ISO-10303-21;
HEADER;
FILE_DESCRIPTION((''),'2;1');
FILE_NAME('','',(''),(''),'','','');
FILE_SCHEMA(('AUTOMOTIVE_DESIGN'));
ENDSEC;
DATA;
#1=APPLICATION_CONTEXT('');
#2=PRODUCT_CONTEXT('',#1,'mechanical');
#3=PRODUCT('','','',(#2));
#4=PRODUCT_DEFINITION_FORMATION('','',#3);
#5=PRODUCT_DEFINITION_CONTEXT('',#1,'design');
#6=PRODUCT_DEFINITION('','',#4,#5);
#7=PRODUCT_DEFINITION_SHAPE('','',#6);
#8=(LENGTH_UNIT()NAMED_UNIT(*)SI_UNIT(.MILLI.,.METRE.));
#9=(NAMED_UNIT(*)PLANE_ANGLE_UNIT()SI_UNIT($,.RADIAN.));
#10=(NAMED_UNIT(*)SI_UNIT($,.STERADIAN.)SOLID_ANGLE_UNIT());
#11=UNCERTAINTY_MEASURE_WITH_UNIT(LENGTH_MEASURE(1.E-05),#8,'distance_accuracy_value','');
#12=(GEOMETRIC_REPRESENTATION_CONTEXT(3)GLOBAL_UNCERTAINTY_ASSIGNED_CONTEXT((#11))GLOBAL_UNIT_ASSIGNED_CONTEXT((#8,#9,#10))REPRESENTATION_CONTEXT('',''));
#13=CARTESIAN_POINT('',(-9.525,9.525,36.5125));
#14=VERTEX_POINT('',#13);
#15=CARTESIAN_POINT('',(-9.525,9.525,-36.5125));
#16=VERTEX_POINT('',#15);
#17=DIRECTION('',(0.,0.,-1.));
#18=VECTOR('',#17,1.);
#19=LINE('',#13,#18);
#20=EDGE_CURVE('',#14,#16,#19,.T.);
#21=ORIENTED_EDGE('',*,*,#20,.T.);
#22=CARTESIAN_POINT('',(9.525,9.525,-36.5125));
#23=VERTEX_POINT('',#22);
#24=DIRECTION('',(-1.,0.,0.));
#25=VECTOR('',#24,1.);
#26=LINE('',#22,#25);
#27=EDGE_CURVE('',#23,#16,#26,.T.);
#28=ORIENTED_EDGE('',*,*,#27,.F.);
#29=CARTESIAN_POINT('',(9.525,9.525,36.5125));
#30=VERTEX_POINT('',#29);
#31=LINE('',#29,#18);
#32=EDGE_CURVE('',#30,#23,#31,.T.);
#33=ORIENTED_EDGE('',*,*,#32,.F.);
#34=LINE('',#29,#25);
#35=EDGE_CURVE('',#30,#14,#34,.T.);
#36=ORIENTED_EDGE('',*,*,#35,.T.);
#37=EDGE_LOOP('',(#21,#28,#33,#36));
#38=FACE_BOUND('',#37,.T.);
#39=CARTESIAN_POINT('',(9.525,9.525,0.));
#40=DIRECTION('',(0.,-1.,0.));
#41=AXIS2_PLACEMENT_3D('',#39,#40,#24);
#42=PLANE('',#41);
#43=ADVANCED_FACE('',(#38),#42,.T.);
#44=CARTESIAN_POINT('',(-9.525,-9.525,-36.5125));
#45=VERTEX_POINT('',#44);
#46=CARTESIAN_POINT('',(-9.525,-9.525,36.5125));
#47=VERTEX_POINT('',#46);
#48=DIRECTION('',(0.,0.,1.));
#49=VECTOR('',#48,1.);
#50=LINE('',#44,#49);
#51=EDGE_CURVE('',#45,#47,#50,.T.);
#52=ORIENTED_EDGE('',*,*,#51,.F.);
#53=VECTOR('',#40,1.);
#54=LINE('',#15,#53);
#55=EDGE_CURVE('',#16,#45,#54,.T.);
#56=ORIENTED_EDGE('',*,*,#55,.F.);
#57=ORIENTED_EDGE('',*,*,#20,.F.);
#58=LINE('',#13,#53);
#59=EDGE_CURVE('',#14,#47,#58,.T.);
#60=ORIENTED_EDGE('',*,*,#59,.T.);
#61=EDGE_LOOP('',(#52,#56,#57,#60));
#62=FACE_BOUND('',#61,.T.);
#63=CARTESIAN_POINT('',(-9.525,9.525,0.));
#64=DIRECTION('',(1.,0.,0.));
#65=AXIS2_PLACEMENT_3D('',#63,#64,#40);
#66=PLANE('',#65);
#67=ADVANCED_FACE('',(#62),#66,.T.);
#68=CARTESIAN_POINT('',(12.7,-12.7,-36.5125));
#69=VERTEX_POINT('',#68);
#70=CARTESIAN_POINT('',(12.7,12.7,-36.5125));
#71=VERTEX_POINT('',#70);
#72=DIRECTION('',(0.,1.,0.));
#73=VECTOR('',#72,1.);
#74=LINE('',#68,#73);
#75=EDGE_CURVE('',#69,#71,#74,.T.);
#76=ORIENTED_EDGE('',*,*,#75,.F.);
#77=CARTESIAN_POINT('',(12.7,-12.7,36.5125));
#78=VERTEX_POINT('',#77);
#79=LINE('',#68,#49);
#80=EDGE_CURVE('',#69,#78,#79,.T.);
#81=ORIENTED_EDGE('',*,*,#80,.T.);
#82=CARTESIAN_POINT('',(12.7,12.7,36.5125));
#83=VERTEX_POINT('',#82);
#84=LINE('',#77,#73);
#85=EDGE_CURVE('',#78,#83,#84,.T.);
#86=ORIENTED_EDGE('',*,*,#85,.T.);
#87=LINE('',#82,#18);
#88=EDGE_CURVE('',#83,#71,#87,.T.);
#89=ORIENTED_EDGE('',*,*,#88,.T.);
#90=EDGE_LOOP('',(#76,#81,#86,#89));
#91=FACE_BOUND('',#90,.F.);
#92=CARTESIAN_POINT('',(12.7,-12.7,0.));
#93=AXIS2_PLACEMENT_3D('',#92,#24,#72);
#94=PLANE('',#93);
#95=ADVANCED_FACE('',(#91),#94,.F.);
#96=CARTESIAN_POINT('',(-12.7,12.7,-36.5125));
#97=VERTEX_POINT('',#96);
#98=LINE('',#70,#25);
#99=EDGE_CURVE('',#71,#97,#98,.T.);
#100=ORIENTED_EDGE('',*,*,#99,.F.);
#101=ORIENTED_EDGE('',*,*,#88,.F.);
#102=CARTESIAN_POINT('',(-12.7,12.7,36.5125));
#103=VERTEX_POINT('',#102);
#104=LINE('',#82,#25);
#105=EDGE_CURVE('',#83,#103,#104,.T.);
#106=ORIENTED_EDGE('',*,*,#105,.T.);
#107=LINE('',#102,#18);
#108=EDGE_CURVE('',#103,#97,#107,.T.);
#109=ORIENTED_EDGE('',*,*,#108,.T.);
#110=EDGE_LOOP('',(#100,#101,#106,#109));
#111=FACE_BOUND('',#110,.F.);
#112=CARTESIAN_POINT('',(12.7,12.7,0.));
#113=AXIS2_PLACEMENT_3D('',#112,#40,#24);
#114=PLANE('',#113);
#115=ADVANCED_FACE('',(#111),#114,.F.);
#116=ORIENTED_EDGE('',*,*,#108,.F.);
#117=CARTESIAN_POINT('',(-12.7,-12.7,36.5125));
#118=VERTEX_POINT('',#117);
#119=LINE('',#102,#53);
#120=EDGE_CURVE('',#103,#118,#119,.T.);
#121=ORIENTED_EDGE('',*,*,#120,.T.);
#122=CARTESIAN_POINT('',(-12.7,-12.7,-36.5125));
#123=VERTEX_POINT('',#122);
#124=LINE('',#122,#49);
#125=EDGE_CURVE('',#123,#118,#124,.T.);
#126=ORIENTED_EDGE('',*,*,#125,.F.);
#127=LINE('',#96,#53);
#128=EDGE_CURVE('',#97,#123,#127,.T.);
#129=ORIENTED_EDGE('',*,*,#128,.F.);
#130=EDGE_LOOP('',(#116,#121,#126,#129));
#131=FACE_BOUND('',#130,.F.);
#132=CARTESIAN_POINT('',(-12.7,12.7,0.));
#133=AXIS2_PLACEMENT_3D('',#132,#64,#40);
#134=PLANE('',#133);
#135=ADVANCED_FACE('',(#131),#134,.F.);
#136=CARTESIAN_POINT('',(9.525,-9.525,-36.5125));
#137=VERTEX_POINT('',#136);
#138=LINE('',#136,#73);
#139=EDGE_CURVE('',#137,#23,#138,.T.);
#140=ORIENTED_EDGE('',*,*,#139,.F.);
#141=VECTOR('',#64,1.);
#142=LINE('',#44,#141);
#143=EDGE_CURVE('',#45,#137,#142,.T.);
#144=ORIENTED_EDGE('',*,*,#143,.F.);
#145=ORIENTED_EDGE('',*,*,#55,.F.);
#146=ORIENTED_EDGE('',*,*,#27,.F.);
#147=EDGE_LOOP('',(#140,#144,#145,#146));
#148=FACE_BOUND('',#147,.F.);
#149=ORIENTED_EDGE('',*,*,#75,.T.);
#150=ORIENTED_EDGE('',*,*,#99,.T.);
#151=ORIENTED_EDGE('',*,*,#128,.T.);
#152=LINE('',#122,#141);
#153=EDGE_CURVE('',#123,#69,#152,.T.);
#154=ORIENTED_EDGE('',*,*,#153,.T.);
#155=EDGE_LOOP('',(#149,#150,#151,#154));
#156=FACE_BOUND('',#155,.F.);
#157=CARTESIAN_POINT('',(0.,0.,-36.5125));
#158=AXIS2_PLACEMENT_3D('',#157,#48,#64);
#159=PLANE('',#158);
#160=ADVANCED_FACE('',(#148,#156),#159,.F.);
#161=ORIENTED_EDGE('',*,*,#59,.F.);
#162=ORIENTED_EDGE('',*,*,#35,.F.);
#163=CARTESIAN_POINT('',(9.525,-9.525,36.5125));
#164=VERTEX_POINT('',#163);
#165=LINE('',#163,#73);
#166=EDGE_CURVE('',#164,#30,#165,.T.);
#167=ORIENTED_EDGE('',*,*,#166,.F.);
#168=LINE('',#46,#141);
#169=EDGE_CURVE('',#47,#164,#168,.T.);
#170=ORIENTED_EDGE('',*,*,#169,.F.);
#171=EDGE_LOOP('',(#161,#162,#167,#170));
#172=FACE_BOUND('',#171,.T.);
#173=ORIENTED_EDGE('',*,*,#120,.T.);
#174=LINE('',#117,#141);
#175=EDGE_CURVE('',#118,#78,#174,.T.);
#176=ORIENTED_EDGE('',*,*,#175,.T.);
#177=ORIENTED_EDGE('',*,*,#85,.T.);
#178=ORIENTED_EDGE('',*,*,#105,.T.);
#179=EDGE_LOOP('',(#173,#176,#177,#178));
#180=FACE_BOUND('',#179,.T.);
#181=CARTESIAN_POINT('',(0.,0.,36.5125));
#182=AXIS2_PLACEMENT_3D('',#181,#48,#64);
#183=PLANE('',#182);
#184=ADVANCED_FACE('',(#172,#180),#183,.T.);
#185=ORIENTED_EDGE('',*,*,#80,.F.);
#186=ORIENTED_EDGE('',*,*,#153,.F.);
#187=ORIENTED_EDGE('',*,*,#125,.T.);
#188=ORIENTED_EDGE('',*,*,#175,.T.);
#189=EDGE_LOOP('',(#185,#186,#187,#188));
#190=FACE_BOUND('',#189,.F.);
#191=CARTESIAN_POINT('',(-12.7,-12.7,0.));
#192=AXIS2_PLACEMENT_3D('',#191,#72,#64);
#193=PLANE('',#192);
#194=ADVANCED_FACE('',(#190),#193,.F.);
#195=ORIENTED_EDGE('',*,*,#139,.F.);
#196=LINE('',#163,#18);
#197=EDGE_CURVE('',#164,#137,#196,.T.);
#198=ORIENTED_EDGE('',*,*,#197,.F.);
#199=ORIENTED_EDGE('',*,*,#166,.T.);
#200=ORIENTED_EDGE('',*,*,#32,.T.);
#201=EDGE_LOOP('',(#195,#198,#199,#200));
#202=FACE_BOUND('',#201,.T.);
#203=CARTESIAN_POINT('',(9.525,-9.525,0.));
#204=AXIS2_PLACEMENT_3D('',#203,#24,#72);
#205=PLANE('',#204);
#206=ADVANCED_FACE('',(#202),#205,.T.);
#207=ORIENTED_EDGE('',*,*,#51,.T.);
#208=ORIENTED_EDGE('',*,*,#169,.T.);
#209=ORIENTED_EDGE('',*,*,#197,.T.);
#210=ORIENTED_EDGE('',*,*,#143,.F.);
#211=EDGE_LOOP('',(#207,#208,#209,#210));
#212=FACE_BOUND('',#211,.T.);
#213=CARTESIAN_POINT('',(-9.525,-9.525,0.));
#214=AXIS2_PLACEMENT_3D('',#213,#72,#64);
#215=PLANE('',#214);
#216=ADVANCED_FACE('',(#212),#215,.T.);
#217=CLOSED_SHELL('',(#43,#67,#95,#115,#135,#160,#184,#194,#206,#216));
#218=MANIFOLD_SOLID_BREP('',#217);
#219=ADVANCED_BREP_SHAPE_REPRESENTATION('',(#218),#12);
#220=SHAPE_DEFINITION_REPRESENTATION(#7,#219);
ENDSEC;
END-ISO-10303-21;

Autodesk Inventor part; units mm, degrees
ref_plane "YZ Plane" through (0, 0, 0) normal (1, 0, 0) x (0, 1, 0)
ref_plane "XZ Plane" through (0, 0, 0) normal (0, 1, 0) x (-1, 0, 0)
ref_plane "XY Plane" through (0, 0, 0) normal (0, 0, 1) x (1, 0, 0)
sketch "Sketch1" plane through (0, 0, 0) normal (0, 0, 1) x (1, 0, 0)
  line L0 (-12.7, -12.7) -> (12.7, -12.7)
  line L1 (12.7, -12.7) -> (12.7, 12.7)
  line L2 (12.7, 12.7) -> (-12.7, 12.7)
  line L3 (-12.7, 12.7) -> (-12.7, -12.7)
  line L4 (-12.7, -12.7) -> (12.7, 12.7) construction
  line L5 (12.7, -12.7) -> (-12.7, 12.7) construction
  line L6 (-9.525, -9.525) -> (9.525, -9.525)
  line L7 (9.525, -9.525) -> (9.525, 9.525)
  line L8 (9.525, 9.525) -> (-9.525, 9.525)
  line L9 (-9.525, 9.525) -> (-9.525, -9.525)
  line L10 (-9.525, -9.525) -> (9.525, 9.525) construction
  line L11 (9.525, -9.525) -> (-9.525, 9.525) construction
  point P0 (0, 0)
  dimension "d0" = 25.4
  dimension "d1" = 25.4
  dimension "d2" = 3.175
  dimension "d3" = 3.175
extrude "Extrusion1" add sketch "Sketch1" along normal mid plane 73.025
properties part number "2_875-inchAluminumTubing" material "Aluminum 6061"
